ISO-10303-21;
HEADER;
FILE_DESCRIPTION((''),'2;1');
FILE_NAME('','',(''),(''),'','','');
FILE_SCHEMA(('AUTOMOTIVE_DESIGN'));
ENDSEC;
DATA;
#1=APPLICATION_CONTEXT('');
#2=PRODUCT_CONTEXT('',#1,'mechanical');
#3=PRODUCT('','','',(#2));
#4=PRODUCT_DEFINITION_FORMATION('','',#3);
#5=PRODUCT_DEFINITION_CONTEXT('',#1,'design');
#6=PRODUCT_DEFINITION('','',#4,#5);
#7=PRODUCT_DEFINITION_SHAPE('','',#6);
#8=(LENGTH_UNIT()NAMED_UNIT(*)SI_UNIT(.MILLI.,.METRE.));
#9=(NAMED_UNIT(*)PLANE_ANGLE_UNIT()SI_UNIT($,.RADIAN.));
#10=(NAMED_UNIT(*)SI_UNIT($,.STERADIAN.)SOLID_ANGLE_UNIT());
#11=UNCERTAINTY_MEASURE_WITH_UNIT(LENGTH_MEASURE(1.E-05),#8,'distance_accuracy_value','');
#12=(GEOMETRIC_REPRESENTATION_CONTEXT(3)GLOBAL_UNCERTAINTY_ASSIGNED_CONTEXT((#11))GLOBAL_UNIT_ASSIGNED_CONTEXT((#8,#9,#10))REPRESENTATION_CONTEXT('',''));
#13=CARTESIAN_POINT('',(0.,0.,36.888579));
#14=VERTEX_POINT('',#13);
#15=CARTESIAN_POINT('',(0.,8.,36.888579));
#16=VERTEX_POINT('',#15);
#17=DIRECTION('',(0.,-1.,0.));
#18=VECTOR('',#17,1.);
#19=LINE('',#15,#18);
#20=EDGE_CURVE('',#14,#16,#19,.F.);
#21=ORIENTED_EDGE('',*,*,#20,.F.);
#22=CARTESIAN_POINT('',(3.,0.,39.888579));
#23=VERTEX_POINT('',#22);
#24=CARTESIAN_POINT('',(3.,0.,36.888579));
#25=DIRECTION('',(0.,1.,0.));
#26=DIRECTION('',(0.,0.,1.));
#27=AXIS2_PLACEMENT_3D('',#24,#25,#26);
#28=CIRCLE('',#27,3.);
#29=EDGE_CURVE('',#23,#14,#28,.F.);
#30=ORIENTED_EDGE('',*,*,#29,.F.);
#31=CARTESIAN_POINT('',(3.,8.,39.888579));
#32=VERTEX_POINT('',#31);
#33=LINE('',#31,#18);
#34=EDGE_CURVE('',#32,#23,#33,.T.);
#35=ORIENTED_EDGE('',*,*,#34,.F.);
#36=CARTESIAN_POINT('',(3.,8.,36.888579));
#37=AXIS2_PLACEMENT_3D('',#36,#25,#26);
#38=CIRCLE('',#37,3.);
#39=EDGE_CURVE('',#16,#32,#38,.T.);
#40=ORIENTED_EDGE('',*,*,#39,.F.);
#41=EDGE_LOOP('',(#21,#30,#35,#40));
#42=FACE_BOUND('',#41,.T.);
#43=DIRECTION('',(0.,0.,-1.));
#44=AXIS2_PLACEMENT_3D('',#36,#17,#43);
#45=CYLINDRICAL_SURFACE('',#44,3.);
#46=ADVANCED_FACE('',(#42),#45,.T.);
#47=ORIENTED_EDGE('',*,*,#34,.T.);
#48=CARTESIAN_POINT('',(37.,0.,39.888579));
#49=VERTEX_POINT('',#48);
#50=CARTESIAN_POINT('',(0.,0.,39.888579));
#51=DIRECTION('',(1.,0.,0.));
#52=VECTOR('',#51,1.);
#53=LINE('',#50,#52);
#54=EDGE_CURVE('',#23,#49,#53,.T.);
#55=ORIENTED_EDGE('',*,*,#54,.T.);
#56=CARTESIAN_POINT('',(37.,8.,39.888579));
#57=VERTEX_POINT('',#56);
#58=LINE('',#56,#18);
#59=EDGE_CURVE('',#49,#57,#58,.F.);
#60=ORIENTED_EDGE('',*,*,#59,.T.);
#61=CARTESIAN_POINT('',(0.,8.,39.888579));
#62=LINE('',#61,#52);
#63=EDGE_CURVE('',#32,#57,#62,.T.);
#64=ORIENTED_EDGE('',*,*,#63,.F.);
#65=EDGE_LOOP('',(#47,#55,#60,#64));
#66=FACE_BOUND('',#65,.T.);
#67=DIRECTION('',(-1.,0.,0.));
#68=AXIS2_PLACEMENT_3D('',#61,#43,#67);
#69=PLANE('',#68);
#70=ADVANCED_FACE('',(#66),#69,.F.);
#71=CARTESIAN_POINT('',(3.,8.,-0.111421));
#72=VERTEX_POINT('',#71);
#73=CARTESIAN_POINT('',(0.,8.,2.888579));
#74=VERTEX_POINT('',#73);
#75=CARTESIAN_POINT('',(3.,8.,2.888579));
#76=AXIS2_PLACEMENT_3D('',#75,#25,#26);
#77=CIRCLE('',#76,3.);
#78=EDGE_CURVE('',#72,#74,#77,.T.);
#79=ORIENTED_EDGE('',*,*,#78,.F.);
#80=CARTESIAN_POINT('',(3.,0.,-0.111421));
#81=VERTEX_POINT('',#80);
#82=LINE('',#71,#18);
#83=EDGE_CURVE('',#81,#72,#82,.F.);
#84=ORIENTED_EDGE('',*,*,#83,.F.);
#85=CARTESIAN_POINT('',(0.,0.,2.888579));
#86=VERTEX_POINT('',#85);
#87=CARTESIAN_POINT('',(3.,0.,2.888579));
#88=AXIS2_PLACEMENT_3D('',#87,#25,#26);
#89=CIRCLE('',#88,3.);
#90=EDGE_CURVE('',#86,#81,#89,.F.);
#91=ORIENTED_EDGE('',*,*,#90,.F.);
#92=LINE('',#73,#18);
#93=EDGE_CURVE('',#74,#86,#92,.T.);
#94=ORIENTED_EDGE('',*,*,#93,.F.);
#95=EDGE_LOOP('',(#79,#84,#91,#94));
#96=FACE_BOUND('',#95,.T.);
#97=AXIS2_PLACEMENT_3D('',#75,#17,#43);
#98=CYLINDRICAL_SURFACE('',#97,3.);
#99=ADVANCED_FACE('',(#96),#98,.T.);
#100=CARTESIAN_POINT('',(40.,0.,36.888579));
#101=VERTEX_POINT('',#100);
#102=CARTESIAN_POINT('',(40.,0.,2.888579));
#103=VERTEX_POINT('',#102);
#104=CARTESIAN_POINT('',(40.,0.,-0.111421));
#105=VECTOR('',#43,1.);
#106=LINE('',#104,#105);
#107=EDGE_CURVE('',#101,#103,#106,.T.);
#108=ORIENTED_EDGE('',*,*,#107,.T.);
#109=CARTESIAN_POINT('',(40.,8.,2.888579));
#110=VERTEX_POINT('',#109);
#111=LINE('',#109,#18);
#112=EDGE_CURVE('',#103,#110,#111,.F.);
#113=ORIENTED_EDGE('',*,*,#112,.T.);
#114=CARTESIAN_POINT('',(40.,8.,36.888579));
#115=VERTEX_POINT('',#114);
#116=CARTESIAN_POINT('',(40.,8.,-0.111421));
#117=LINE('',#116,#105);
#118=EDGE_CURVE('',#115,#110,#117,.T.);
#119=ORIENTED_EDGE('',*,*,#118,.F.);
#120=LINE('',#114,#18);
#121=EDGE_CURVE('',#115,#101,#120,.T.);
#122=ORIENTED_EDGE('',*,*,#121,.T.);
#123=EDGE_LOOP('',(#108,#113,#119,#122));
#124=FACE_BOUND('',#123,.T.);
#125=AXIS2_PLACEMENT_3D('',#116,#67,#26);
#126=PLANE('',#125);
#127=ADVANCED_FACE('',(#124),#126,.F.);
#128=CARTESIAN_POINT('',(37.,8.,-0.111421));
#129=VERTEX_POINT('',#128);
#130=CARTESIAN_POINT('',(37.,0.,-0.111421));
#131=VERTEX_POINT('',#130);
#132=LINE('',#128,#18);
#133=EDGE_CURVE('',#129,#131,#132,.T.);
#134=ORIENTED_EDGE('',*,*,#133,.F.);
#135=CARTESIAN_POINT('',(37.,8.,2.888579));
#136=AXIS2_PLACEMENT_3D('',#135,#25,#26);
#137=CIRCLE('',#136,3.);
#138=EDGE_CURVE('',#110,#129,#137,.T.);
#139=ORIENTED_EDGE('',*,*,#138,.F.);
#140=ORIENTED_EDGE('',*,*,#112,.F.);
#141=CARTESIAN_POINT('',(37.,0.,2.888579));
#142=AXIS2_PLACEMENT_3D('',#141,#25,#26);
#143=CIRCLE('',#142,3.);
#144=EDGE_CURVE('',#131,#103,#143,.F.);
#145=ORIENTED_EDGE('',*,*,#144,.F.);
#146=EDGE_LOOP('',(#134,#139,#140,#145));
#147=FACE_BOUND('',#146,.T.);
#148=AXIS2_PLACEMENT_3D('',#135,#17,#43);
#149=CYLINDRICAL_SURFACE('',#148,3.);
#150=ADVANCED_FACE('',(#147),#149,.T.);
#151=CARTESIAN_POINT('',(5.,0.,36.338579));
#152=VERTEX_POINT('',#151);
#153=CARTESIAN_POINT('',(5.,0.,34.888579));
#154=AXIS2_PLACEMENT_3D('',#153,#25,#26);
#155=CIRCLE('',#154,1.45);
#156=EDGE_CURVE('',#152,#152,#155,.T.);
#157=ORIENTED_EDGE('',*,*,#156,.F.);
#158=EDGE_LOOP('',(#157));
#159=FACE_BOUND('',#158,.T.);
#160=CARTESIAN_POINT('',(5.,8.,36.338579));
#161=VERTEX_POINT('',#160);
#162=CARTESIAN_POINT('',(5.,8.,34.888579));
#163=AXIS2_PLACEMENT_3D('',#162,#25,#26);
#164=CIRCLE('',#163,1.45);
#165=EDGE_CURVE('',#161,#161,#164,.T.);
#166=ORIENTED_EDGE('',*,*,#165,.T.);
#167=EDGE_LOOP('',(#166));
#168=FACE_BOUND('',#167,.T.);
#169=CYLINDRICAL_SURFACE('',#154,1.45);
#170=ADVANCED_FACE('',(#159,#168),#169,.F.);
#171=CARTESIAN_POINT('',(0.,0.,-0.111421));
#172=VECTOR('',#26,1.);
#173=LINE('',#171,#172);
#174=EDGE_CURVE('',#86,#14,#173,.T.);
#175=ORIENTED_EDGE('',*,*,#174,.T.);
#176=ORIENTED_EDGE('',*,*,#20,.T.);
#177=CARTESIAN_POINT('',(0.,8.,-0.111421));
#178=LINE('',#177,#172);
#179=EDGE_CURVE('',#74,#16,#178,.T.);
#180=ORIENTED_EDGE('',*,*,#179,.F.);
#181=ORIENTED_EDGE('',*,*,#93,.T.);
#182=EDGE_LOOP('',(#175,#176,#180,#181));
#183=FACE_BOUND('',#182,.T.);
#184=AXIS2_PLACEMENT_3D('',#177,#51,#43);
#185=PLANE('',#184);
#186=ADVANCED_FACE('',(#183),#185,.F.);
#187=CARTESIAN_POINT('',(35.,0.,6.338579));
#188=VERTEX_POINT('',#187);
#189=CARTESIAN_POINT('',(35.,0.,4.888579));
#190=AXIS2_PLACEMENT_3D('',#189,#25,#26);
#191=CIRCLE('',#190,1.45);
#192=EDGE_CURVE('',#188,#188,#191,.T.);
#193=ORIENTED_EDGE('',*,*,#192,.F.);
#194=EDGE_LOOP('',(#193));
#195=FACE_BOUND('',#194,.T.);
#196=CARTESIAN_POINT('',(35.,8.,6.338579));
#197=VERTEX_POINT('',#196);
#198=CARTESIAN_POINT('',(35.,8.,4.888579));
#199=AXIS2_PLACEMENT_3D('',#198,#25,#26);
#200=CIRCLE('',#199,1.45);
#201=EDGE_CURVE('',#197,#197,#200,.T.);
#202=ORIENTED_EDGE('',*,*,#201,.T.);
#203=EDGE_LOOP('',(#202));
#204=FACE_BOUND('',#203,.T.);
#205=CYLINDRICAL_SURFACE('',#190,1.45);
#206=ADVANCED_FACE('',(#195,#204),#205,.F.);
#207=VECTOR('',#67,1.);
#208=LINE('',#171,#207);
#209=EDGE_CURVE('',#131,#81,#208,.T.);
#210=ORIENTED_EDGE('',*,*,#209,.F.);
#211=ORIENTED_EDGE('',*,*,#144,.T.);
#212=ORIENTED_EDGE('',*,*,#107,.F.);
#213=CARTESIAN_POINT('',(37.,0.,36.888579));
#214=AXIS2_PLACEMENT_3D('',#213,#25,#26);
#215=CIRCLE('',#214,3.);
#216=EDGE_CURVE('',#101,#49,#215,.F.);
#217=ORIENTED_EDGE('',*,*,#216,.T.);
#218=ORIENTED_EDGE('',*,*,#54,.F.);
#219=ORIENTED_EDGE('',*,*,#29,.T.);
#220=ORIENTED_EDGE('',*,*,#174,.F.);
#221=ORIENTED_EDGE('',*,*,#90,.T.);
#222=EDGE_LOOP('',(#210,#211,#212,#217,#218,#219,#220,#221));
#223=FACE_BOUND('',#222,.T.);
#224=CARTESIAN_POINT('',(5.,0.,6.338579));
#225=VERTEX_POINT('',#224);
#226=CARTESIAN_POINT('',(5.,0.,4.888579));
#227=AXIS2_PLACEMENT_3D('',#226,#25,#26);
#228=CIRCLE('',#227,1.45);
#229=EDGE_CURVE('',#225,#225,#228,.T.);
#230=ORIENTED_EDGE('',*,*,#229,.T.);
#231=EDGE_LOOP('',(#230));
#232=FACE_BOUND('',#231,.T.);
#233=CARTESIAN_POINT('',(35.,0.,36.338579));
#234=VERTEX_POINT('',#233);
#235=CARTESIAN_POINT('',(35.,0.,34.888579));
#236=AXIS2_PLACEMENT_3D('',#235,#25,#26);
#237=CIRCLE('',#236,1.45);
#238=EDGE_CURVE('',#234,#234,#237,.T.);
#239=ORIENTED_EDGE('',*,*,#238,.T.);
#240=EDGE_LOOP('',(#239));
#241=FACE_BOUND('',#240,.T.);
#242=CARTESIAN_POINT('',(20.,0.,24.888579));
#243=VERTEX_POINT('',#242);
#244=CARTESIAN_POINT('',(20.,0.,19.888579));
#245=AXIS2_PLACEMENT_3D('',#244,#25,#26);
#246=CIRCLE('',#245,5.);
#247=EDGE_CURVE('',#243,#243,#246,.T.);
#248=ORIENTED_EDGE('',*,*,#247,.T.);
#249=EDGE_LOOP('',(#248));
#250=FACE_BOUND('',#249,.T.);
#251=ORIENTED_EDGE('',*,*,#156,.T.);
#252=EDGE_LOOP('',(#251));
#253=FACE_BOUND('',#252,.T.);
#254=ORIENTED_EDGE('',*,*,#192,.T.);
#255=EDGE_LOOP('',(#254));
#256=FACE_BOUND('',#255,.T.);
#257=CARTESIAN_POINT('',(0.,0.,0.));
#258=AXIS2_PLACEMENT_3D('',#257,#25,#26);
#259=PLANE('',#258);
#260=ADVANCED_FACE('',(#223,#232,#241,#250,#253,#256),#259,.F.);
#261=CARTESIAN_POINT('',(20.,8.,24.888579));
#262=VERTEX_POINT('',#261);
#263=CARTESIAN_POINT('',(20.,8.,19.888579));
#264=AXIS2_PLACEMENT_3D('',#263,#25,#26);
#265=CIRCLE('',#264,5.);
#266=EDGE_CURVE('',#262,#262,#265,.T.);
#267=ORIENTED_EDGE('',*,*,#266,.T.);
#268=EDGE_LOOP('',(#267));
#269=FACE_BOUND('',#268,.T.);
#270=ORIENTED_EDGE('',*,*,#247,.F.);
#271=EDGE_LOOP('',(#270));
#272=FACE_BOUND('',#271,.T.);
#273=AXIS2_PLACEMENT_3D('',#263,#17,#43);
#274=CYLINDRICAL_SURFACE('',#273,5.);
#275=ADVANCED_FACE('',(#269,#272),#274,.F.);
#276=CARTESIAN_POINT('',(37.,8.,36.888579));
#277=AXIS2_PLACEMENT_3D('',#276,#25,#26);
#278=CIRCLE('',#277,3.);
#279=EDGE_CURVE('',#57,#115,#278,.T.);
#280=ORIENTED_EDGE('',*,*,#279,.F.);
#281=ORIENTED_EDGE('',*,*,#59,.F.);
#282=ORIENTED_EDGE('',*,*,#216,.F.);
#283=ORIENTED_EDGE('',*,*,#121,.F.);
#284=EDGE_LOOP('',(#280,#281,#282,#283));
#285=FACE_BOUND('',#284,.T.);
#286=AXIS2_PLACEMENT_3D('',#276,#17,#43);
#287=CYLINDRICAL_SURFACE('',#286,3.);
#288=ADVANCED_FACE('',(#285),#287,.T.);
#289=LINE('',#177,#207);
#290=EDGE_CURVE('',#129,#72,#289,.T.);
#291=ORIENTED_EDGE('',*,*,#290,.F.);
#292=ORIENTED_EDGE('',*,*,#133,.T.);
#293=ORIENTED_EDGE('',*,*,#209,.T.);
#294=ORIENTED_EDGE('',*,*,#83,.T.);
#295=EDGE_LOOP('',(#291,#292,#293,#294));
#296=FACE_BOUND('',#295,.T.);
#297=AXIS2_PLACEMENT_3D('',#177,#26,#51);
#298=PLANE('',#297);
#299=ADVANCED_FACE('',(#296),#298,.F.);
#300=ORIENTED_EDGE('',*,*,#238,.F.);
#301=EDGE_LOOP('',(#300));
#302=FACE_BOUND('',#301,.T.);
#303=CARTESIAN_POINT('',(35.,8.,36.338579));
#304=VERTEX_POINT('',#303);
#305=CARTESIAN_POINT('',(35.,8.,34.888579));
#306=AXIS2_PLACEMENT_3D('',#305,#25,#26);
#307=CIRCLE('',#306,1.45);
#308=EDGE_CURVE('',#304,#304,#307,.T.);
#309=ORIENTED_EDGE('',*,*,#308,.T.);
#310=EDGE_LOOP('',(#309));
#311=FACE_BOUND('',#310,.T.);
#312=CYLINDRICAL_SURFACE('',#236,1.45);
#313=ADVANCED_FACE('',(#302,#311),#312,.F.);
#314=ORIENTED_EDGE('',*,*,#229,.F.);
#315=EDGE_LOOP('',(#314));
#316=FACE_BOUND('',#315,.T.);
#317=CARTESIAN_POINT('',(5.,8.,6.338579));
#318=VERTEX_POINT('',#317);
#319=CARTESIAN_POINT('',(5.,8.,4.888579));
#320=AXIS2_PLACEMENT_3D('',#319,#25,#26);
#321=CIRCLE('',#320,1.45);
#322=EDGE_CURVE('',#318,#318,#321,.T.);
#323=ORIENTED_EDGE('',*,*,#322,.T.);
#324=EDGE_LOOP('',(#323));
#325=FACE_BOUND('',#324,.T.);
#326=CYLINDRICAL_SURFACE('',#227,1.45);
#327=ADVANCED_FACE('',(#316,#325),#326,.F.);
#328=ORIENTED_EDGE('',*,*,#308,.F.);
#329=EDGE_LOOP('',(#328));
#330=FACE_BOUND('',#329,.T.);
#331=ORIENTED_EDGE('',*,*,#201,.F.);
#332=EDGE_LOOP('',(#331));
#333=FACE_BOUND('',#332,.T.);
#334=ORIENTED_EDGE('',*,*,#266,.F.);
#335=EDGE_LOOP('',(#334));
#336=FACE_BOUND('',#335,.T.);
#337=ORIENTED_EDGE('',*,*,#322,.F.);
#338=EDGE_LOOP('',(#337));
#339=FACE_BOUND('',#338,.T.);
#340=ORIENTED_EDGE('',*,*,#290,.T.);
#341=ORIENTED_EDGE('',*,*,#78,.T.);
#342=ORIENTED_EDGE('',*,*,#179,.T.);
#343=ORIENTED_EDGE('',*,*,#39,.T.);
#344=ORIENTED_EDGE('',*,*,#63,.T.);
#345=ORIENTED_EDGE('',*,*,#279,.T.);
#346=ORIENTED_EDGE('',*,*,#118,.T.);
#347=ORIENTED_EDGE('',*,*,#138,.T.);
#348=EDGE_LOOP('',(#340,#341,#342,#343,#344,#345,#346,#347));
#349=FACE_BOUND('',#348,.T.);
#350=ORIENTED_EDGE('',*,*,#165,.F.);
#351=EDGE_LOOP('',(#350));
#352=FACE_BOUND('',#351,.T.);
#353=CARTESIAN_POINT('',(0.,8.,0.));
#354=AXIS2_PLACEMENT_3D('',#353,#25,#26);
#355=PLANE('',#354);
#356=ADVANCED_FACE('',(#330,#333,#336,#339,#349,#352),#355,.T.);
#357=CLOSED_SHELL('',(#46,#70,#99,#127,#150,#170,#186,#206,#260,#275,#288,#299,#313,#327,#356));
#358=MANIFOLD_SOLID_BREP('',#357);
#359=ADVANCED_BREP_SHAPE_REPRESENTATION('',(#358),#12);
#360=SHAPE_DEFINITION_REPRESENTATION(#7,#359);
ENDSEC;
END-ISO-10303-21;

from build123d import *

# Parameters (mm, degrees)
SKETCH1_W           = 40
SKETCH1_H           = 40
SKETCH1_R           = 5
BOSS_EXTRUDE1_DEPTH = 8
SKETCH12_R          = 1.45
CUT_EXTRUDE1_DEPTH  = 58.053472861
FILLET1_R           = 3


with BuildPart() as part:
    # Sketch1 → Boss-Extrude1 (new body)
    with BuildSketch(Plane(origin=(0, 0, 0), x_dir=(1, 0, 0), z_dir=(0, 1, 0))):
        with Locations((20, -19.888579387)):
            Rectangle(SKETCH1_W, SKETCH1_H)
        with Locations(Location((20, -19.888579387, 0), (0, 0, 270))):
            Circle(SKETCH1_R, mode=Mode.SUBTRACT)
    extrude(amount=BOSS_EXTRUDE1_DEPTH)

    # Sketch12 → Cut-Extrude1 (cut, through all)
    with BuildSketch(Plane(origin=(0, 8, 0), x_dir=(1, 0, 0), z_dir=(0, 1, 0))):
        with Locations(Location((5, -4.888579387, 0), (0, 0, 270))):
            Circle(SKETCH12_R)
        with Locations(Location((35, -4.888579387, 0), (0, 0, 270))):
            Circle(SKETCH12_R)
        with Locations(Location((35, -34.888579387, 0), (0, 0, 270))):
            Circle(SKETCH12_R)
        with Locations(Location((5, -34.888579387, 0), (0, 0, 270))):
            Circle(SKETCH12_R)
    extrude(amount=-CUT_EXTRUDE1_DEPTH, mode=Mode.SUBTRACT)

    # Fillet1
    fillet1_edges = [part.edges().sort_by_distance(p)[0] for p in [
        (0, 4, -0.111420613),
        (40, 4, -0.111420613),
        (40, 4, 39.888579387),
        (0, 4, 39.888579387),
    ]]
    fillet(fillet1_edges, radius=FILLET1_R)


solid = part.part
